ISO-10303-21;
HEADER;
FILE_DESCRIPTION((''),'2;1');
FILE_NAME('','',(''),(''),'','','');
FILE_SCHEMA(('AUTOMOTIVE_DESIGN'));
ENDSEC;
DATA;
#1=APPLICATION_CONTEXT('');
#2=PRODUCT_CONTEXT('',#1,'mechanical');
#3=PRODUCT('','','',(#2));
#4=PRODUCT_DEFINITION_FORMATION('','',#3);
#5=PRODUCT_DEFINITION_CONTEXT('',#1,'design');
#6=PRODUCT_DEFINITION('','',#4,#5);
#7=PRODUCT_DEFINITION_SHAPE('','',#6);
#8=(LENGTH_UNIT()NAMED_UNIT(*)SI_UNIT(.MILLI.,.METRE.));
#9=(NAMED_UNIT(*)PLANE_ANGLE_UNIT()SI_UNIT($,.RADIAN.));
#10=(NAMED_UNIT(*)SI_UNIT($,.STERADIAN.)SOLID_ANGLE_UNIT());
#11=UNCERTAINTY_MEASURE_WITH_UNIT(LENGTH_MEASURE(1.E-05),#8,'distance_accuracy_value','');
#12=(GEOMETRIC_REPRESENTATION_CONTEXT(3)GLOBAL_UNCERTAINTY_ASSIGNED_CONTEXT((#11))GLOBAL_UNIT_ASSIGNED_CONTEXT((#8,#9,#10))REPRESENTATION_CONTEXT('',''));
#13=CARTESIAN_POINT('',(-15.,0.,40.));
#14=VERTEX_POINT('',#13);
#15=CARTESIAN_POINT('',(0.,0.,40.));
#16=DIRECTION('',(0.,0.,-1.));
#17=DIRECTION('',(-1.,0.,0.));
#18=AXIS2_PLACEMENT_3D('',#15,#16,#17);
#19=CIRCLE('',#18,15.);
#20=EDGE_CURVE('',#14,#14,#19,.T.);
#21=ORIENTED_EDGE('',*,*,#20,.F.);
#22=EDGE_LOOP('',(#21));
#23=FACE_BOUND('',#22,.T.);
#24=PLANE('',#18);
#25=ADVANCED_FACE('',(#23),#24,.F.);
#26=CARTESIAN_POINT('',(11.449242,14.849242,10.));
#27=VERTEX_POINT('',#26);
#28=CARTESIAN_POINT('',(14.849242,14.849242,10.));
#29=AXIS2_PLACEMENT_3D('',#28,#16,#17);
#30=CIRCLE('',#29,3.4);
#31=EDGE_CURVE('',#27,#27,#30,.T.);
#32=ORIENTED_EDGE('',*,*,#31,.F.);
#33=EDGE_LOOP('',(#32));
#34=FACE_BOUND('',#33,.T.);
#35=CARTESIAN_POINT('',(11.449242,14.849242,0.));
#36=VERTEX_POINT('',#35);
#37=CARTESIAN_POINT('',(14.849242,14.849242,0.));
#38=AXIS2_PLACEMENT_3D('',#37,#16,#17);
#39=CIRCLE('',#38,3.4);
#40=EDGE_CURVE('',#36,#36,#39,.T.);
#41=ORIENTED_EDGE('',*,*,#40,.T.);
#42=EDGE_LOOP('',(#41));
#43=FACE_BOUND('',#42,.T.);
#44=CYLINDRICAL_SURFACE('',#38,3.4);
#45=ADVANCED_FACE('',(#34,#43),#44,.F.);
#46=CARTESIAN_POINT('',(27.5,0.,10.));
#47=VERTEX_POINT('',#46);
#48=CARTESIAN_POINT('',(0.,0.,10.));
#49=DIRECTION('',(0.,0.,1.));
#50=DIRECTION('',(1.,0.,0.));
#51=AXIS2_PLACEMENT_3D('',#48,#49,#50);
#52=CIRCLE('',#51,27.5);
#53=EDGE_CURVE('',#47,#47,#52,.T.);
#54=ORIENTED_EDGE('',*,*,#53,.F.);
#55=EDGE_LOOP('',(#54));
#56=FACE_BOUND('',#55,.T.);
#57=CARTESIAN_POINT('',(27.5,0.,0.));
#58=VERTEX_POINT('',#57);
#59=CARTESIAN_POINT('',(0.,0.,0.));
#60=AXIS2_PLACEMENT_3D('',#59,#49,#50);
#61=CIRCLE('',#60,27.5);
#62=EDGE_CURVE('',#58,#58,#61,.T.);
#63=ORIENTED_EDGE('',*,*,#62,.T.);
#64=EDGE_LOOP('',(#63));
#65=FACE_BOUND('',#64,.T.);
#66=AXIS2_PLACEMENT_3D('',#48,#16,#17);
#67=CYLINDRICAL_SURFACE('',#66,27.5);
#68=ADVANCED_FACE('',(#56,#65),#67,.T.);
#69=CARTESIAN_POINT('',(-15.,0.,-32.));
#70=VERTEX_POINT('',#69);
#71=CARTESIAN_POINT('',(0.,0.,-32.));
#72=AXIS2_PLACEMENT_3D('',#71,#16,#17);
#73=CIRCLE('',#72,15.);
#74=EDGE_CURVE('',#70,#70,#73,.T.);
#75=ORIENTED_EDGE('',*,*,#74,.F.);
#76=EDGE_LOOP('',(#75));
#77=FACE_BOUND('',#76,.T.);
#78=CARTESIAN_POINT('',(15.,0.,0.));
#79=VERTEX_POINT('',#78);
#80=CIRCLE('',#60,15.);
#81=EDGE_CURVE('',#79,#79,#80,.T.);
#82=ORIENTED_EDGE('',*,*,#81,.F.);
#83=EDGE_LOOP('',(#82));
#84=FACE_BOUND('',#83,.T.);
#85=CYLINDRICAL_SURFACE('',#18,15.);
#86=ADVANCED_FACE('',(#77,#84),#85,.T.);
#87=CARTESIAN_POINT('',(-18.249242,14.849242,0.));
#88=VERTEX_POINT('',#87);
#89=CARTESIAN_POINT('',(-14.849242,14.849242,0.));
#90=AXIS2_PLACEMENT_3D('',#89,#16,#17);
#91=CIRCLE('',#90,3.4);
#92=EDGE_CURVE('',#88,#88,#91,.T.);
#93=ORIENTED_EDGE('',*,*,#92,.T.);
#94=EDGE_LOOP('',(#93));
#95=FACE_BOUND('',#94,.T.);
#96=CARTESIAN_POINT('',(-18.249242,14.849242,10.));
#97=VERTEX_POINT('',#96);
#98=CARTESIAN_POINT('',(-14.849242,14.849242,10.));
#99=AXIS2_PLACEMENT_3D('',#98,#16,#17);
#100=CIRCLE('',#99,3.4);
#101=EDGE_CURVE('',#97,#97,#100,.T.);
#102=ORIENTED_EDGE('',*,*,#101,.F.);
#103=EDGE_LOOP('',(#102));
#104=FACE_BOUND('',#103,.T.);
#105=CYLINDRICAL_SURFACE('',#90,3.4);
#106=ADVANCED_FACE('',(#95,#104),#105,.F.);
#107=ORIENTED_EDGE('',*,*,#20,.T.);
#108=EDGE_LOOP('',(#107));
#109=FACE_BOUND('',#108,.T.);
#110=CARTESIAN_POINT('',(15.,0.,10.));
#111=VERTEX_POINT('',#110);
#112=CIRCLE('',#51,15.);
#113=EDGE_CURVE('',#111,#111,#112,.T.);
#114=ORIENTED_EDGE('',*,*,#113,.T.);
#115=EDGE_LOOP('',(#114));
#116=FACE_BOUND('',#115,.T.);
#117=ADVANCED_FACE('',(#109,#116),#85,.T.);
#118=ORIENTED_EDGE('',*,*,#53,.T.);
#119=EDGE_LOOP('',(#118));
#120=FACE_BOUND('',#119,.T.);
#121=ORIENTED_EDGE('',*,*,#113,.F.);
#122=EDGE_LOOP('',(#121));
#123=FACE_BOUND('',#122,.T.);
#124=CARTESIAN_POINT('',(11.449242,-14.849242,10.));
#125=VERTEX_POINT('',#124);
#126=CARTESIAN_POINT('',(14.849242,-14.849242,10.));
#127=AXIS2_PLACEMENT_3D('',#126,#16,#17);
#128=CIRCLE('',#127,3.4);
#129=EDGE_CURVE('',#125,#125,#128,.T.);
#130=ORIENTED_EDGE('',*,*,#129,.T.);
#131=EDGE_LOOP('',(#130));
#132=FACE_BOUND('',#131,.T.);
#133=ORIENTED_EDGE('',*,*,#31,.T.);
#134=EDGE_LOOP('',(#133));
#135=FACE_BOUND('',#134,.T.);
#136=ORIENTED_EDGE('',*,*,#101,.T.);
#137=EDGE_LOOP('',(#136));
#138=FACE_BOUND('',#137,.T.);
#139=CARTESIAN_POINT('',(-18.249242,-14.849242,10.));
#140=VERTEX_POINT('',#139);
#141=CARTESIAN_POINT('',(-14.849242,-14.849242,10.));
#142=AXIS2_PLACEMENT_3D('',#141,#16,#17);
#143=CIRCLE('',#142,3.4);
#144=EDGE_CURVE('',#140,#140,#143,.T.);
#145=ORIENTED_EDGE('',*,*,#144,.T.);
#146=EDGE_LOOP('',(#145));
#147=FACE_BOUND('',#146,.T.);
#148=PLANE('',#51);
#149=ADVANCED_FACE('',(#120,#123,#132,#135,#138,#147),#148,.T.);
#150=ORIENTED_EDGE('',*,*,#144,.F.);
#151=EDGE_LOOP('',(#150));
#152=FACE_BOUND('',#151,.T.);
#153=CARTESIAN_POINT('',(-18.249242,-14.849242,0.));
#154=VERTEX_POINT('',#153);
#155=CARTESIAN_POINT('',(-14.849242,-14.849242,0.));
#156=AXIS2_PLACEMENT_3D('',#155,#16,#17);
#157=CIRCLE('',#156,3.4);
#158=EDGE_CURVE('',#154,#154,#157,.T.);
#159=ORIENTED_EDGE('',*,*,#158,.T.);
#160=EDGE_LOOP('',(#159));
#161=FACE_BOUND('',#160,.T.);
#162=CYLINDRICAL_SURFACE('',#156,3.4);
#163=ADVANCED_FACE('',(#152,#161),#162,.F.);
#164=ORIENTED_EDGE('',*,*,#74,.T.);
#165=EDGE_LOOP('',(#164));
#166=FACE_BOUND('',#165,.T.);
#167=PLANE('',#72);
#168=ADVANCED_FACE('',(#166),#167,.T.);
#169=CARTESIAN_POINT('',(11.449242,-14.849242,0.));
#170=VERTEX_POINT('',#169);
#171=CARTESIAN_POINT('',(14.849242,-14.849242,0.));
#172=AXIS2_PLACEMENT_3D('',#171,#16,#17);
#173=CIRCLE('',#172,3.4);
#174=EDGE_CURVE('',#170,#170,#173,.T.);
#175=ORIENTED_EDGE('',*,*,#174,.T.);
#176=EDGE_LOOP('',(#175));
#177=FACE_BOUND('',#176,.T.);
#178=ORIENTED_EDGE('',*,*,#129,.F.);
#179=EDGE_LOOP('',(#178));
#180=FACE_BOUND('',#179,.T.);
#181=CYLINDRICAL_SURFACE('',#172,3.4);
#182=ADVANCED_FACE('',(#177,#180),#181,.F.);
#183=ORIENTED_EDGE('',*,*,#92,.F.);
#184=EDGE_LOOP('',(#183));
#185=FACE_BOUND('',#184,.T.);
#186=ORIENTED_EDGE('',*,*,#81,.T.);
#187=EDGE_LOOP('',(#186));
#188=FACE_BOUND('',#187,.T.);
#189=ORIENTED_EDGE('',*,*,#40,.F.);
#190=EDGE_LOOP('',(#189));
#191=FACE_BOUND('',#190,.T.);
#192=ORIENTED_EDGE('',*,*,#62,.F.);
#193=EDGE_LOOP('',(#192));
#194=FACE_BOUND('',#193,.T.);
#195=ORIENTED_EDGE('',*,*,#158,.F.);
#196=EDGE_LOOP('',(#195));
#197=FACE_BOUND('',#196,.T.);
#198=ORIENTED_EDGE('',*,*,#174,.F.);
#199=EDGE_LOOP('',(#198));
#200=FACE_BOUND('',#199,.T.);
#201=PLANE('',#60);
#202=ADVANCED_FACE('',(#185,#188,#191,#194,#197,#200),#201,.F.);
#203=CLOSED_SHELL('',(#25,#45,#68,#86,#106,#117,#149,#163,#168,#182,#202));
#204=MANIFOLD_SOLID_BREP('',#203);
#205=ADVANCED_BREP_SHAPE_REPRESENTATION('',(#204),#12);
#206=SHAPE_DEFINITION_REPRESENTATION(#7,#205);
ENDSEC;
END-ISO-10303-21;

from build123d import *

# Parameters (mm, degrees)
SKETCH_1_R           = 27.5
SKETCH_1_R_2         = 3
EXTRUDE_1_DEPTH      = 10
HOLE_WIZARD_M8_1_D   = 6.8
EXTRUDE_2_DEPTH      = 32
EXTRUDE_2_DEPTH_BACK = 40
SKETCH_6_R           = 15


with BuildPart() as part:
    # 草图1 → 凸台-拉伸1 (new body)
    with BuildSketch(Plane.XY):
        Circle(SKETCH_1_R)
        with Locations((-14.849242405, -14.849242405)):
            Circle(SKETCH_1_R_2, mode=Mode.SUBTRACT)
        with Locations((14.849242405, -14.849242405)):
            Circle(SKETCH_1_R_2, mode=Mode.SUBTRACT)
        with Locations((14.849242405, 14.849242405)):
            Circle(SKETCH_1_R_2, mode=Mode.SUBTRACT)
        with Locations((-14.849242405, 14.849242405)):
            Circle(SKETCH_1_R_2, mode=Mode.SUBTRACT)
    extrude(amount=EXTRUDE_1_DEPTH)

    # M8 螺纹孔1 (through all)
    with Locations(Plane(origin=(0, 0, 0), x_dir=(1, 0, 0), z_dir=(0, 0, -1))):
        with Locations((-14.849242405, -14.849242405), (14.849242405, -14.849242405), (14.849242405, 14.849242405), (-14.849242405, 14.849242405)):
            Hole(HOLE_WIZARD_M8_1_D / 2)

    # 草图6 → 凸台-拉伸2 (add, two sides: drawn at the far end of the back side and taken through both)
    with BuildSketch(Plane(origin=(0, 0, 0), x_dir=(-1, 0, 0), z_dir=(0, 0, -1)).offset(-EXTRUDE_2_DEPTH_BACK)):
        Circle(SKETCH_6_R)
    extrude(amount=EXTRUDE_2_DEPTH + EXTRUDE_2_DEPTH_BACK)


solid = part.part
